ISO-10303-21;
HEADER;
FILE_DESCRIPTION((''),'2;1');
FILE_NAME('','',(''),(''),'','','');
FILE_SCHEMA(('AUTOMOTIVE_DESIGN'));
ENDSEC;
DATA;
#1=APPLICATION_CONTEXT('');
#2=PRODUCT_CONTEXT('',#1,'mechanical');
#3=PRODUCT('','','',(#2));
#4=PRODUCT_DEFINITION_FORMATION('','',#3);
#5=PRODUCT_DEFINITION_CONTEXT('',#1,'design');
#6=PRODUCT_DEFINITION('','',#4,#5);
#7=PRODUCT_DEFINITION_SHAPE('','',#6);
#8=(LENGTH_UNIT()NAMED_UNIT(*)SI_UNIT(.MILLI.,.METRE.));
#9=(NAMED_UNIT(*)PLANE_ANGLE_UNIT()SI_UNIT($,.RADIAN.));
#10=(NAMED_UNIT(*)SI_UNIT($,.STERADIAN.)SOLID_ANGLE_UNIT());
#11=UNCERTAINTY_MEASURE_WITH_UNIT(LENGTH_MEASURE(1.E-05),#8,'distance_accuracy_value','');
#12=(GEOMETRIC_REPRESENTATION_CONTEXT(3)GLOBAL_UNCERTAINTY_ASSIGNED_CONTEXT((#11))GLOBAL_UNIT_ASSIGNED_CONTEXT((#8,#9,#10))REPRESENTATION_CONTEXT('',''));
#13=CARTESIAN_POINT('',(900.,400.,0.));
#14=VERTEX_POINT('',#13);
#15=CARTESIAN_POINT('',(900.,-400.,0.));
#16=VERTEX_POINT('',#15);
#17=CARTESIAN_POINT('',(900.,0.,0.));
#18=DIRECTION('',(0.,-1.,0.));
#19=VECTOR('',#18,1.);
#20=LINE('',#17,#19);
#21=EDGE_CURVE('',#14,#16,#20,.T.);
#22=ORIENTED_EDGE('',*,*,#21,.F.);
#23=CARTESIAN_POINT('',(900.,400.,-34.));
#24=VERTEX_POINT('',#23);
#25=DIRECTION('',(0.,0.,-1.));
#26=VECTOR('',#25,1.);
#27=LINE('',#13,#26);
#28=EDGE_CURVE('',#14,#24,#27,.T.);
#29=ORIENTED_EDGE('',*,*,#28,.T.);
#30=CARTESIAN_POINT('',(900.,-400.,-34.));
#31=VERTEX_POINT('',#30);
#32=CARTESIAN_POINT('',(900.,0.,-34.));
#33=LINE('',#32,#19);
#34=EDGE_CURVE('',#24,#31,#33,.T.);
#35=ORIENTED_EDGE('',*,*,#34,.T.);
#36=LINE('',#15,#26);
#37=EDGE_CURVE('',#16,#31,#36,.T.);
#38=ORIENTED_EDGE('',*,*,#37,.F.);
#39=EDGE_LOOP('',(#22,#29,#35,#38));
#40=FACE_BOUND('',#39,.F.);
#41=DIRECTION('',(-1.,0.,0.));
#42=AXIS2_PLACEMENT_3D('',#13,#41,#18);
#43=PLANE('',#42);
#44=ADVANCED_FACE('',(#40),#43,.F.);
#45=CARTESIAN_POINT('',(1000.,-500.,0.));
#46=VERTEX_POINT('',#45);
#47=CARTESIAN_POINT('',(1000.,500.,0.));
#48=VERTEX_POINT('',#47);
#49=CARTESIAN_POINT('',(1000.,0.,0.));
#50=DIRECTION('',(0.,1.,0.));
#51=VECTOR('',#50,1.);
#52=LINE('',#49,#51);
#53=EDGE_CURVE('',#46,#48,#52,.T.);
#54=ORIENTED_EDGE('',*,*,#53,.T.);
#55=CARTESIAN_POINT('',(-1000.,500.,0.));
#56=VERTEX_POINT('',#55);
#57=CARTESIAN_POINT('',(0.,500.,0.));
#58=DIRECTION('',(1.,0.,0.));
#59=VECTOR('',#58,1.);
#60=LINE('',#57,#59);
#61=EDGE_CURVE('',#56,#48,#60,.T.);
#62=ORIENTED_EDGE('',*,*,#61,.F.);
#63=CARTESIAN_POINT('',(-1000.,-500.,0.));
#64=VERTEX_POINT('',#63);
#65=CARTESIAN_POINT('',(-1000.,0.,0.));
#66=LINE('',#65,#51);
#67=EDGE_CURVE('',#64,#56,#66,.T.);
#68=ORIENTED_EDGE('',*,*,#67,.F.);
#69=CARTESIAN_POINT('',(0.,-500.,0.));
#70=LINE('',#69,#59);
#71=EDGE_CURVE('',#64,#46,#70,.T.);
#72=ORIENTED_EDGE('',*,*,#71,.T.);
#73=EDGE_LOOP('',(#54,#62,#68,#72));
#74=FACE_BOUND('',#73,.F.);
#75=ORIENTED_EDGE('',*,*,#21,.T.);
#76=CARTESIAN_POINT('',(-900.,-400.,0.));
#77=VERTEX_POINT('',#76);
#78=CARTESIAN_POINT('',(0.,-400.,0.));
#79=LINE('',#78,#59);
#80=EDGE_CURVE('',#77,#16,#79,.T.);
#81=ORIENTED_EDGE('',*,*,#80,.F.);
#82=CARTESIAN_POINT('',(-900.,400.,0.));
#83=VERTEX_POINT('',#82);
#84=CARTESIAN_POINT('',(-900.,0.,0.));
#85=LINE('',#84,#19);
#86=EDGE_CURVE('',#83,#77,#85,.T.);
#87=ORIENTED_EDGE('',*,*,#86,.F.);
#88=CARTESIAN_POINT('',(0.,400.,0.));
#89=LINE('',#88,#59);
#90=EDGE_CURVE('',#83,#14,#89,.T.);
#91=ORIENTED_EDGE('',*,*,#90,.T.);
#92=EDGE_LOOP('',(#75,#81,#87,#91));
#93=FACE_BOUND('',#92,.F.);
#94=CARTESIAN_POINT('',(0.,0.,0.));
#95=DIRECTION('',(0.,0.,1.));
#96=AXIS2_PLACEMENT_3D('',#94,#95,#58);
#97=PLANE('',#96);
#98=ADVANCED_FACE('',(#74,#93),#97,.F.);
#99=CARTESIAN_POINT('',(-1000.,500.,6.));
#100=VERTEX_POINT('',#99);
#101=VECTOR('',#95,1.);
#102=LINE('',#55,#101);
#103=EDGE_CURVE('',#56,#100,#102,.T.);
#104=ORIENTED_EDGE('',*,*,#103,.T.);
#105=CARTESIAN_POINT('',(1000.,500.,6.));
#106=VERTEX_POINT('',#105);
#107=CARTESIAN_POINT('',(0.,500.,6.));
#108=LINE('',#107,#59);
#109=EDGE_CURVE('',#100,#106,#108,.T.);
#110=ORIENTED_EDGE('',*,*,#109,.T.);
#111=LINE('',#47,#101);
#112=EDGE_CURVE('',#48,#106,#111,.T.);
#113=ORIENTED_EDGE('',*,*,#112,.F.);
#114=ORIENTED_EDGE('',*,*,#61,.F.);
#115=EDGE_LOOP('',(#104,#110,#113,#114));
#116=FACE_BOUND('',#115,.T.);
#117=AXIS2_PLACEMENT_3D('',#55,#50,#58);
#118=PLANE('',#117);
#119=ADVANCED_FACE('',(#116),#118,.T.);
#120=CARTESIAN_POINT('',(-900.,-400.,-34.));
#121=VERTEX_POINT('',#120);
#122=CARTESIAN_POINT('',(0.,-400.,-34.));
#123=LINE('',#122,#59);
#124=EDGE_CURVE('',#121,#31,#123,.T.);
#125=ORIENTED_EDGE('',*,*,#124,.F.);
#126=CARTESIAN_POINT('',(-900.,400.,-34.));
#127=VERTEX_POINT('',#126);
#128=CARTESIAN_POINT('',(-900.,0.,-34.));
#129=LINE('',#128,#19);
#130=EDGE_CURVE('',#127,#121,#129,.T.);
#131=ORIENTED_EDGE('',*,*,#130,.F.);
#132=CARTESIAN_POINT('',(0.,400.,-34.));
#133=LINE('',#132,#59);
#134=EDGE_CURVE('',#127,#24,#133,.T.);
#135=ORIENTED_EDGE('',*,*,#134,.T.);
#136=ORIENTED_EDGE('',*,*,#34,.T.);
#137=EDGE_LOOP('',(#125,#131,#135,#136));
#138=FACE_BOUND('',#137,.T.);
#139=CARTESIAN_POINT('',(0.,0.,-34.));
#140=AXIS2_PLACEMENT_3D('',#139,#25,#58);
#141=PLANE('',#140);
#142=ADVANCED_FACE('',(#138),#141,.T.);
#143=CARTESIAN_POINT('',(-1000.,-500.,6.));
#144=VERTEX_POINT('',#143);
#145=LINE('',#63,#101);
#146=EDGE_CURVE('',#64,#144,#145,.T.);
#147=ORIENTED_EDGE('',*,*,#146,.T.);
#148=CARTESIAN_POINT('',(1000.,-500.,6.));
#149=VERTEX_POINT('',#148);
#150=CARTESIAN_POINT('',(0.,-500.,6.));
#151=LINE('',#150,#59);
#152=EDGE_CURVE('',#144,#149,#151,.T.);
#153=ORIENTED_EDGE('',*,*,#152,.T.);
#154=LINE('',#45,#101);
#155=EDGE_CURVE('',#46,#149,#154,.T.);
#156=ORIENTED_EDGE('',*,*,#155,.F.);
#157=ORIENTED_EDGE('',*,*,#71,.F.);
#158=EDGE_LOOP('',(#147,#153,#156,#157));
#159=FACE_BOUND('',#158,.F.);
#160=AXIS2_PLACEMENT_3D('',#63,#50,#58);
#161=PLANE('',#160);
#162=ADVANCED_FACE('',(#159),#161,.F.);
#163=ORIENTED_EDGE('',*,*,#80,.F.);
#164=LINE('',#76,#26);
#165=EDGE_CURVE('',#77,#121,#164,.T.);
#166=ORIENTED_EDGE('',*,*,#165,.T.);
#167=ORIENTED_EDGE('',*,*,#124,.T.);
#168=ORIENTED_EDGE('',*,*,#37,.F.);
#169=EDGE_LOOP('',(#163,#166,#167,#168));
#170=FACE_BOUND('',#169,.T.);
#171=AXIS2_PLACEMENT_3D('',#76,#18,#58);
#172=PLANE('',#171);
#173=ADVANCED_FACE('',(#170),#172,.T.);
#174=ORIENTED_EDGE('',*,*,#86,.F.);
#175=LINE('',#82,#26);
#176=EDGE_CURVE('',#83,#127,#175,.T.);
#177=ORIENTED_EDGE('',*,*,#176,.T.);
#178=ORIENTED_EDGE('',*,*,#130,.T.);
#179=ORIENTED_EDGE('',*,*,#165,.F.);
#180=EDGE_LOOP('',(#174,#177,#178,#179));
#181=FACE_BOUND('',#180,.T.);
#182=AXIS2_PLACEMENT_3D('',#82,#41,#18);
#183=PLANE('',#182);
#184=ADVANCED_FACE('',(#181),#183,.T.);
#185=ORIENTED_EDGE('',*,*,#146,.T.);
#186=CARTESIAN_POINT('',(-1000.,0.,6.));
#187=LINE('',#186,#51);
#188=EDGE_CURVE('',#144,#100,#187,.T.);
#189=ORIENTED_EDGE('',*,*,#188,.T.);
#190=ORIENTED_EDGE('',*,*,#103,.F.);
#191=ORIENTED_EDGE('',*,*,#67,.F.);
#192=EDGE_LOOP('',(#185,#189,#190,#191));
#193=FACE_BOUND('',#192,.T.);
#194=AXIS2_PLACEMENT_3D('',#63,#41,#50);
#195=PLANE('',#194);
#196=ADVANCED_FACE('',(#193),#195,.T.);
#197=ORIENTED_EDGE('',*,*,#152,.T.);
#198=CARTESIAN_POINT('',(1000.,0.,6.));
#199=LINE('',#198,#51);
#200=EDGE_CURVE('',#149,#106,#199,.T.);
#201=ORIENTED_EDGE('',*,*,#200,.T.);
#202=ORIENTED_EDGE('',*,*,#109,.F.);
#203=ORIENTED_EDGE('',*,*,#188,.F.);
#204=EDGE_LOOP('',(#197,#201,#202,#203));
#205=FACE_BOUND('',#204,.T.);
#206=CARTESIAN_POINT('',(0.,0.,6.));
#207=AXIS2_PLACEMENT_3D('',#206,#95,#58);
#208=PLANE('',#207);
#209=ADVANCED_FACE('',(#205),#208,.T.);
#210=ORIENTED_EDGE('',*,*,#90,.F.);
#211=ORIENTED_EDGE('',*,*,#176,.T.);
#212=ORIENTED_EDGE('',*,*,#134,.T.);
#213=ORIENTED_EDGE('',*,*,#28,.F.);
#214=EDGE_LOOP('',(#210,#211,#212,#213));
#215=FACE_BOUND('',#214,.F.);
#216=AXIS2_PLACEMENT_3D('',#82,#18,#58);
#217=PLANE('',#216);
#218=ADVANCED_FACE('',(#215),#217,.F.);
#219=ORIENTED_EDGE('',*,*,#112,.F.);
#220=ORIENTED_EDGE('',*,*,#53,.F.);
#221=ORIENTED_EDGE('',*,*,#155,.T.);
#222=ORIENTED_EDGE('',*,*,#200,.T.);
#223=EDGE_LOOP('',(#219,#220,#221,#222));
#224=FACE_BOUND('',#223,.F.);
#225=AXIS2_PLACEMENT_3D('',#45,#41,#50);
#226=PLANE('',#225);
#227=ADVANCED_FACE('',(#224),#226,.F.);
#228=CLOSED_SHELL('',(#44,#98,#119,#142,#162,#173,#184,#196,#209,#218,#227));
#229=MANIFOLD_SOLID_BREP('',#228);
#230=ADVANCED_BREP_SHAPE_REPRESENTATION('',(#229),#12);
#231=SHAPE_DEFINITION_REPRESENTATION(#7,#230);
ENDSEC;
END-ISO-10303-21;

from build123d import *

# Parameters (mm, degrees)
F0_W     = 2000
F0_H     = 1000
F1_DEPTH = 6
F2_W     = 1800
F2_H     = 800
F3_DEPTH = 34


with BuildPart() as f1:
    # F0 (on Top) → F1 (new body)
    with BuildSketch(Plane.XY):
        Rectangle(F0_W, F0_H)
    extrude(amount=F1_DEPTH)

    # F2 (on face) → F3 (join)
    with BuildSketch(Plane(origin=(0, 0, 0), x_dir=(1, 0, 0), z_dir=(0, 0, -1))):
        Rectangle(F2_W, F2_H)
    extrude(amount=F3_DEPTH)


solid = f1.part
